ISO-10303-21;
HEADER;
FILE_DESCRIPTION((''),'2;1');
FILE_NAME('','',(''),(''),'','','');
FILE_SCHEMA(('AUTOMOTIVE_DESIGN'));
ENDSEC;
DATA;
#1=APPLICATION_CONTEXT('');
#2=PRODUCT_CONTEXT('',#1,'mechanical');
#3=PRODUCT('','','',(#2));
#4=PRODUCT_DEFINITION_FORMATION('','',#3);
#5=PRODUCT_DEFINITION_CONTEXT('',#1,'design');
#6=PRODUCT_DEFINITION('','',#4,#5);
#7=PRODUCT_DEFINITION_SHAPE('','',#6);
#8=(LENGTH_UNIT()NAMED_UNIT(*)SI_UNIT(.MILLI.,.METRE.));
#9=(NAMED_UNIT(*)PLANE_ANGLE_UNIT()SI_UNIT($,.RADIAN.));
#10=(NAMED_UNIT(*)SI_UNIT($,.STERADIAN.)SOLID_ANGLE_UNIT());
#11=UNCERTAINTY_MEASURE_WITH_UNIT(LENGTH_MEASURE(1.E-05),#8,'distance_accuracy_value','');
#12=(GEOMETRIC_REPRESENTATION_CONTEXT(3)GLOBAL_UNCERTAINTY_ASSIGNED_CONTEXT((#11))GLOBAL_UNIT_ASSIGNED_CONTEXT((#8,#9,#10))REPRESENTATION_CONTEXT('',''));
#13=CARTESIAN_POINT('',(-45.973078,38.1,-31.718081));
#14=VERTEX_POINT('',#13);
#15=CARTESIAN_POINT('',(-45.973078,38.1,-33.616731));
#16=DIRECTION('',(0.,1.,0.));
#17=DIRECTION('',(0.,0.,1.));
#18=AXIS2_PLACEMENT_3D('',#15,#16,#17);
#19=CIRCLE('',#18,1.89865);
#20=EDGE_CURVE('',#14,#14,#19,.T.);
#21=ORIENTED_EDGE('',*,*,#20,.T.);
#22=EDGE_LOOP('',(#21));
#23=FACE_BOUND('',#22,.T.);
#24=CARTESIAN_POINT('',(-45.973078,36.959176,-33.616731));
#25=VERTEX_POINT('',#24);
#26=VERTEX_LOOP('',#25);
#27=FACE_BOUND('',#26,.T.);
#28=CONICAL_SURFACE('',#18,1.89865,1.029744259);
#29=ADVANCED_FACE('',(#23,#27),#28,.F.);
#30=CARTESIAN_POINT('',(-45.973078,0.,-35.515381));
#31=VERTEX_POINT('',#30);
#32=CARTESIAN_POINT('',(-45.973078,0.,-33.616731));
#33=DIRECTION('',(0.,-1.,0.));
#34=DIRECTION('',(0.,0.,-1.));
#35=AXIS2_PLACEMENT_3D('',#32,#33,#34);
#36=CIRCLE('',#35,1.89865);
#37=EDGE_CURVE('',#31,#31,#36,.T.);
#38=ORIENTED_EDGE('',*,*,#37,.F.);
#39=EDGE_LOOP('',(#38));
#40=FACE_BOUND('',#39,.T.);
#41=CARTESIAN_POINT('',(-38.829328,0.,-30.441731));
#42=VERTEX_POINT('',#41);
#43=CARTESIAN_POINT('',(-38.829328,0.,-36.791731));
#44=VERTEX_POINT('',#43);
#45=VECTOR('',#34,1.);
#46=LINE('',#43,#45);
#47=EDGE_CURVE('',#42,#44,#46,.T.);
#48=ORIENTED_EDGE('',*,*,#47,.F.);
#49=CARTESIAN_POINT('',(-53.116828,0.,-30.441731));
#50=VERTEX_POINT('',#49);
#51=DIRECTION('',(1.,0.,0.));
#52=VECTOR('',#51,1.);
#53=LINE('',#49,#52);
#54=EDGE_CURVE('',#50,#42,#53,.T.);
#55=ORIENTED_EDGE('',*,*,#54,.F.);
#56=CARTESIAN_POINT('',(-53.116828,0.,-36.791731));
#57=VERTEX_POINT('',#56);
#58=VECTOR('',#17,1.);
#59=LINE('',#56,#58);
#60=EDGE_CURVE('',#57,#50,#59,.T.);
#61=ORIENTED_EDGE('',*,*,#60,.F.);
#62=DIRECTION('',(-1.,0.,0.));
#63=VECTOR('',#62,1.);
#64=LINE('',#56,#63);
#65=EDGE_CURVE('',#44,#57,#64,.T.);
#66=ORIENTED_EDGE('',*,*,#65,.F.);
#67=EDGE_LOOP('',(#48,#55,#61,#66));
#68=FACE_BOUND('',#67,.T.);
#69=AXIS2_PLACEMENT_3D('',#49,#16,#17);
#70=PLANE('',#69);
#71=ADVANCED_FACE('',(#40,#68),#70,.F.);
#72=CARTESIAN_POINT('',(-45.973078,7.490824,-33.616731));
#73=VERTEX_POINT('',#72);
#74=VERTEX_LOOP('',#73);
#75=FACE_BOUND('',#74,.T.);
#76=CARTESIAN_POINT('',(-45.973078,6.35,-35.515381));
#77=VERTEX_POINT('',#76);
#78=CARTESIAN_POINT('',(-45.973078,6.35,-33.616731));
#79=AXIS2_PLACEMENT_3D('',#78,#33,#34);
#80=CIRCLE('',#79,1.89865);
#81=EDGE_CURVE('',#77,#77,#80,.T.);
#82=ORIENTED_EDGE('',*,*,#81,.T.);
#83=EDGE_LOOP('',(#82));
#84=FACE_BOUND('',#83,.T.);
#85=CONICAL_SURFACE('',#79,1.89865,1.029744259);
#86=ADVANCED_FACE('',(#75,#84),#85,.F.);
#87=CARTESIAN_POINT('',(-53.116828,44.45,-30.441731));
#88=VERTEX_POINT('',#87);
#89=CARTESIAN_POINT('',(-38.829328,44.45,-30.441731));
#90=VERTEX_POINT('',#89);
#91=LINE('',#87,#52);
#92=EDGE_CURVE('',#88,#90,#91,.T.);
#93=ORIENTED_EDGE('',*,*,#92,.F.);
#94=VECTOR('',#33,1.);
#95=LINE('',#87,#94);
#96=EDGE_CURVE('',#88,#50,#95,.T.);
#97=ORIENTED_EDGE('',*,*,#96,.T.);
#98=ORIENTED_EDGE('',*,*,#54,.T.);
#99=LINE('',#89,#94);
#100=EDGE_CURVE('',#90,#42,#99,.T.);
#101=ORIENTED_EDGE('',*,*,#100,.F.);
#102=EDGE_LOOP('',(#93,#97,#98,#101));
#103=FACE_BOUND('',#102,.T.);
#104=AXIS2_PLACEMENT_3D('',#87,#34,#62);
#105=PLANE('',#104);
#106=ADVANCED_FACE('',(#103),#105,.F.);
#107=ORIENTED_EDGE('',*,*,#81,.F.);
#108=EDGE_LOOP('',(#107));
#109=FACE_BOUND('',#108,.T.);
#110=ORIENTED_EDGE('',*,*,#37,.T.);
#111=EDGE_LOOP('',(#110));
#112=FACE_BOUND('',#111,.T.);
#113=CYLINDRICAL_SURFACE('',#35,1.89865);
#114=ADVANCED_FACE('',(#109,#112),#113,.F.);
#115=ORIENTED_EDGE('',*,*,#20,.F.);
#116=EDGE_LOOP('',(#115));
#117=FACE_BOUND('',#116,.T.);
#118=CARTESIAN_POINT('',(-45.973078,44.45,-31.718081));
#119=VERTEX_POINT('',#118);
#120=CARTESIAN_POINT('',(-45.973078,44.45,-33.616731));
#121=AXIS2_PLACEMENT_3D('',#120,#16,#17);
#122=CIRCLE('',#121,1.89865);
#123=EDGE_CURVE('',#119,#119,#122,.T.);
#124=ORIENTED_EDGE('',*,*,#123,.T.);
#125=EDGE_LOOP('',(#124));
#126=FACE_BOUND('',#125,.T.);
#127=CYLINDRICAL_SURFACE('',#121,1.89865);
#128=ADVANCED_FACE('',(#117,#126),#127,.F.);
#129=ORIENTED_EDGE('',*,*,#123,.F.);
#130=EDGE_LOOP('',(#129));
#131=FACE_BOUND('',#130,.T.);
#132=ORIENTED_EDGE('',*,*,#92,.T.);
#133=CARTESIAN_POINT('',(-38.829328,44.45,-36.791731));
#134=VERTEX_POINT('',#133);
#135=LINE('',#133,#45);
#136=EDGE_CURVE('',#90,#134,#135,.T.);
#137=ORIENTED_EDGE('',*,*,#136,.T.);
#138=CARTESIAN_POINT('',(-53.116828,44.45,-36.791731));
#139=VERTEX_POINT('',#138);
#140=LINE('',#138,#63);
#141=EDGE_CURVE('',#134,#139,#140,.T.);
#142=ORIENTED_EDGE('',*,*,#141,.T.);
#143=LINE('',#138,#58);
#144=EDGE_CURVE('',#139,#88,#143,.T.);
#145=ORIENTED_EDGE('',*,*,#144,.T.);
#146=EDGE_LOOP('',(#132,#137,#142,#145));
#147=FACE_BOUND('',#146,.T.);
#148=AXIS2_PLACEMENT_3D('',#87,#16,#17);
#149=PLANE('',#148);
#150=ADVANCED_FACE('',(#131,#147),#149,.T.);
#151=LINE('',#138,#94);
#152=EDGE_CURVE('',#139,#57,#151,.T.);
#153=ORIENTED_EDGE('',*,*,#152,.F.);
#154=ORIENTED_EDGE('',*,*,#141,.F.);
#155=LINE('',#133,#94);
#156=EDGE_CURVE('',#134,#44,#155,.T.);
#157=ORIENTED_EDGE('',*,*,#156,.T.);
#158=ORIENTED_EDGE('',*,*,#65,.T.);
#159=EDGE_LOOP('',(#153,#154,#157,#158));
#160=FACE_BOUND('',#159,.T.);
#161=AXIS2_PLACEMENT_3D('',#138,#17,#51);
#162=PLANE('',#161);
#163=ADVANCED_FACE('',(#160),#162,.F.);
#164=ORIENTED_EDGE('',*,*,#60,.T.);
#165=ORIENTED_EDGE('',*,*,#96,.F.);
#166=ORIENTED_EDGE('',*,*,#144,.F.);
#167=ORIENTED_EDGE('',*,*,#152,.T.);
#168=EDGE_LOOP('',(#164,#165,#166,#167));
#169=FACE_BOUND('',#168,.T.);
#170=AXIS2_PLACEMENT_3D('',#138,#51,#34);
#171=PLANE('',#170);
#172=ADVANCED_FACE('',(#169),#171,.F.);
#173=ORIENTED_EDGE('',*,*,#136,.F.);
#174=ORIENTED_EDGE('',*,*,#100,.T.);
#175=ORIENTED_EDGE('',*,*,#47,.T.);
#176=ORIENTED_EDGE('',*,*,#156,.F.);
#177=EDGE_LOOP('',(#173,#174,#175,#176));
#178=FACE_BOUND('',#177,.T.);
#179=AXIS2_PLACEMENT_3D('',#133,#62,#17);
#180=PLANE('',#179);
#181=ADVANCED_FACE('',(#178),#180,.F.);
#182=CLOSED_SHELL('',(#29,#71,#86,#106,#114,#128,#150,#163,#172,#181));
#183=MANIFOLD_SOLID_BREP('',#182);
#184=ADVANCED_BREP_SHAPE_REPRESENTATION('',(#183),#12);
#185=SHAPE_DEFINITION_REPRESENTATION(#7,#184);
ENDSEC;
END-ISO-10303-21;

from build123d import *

# Parameters (mm, degrees)
SKETCH1_W                 = 14.2875
SKETCH1_H                 = 6.35
EXTRUDE1_DEPTH            = 44.45
F_6_CLEARANCE_HOLE1_D     = 3.7973
F_6_CLEARANCE_HOLE1_DEPTH = 6.35
F_6_CLEARANCE_HOLE1_TIP   = 1.140824014
F_6_CLEARANCE_HOLE2_D     = 3.7973
F_6_CLEARANCE_HOLE2_DEPTH = 6.35
F_6_CLEARANCE_HOLE2_TIP   = 1.140824014


with BuildPart() as part:
    # Sketch1 → Extrude1 (new body)
    with BuildSketch(Plane(origin=(0, 0, 0), x_dir=(1, 0, 0), z_dir=(0, 1, 0))):
        with Locations((-45.973078165, 33.616731266)):
            Rectangle(SKETCH1_W, SKETCH1_H)
    extrude(amount=EXTRUDE1_DEPTH)

    # #6 Clearance Hole1
    with Locations(Plane(origin=(0, 44.45, 0), x_dir=(-1, 0, 0), z_dir=(0, 1, 0))):
        with Locations((45.973078165, -33.616731266)):
            Hole(F_6_CLEARANCE_HOLE1_D / 2, depth=F_6_CLEARANCE_HOLE1_DEPTH)
            with Locations((0, 0, -(F_6_CLEARANCE_HOLE1_DEPTH + F_6_CLEARANCE_HOLE1_TIP / 2))):  # 118° drill point
                Cone(0, F_6_CLEARANCE_HOLE1_D / 2, F_6_CLEARANCE_HOLE1_TIP, mode=Mode.SUBTRACT)

    # #6 Clearance Hole2
    with Locations(Plane(origin=(-45.973078165, 0, -33.616731266), x_dir=(0, 0, -1), z_dir=(0, -1, 0))):
        with Locations((0, 0)):
            Hole(F_6_CLEARANCE_HOLE2_D / 2, depth=F_6_CLEARANCE_HOLE2_DEPTH)
            with Locations((0, 0, -(F_6_CLEARANCE_HOLE2_DEPTH + F_6_CLEARANCE_HOLE2_TIP / 2))):  # 118° drill point
                Cone(0, F_6_CLEARANCE_HOLE2_D / 2, F_6_CLEARANCE_HOLE2_TIP, mode=Mode.SUBTRACT)


solid = part.part
